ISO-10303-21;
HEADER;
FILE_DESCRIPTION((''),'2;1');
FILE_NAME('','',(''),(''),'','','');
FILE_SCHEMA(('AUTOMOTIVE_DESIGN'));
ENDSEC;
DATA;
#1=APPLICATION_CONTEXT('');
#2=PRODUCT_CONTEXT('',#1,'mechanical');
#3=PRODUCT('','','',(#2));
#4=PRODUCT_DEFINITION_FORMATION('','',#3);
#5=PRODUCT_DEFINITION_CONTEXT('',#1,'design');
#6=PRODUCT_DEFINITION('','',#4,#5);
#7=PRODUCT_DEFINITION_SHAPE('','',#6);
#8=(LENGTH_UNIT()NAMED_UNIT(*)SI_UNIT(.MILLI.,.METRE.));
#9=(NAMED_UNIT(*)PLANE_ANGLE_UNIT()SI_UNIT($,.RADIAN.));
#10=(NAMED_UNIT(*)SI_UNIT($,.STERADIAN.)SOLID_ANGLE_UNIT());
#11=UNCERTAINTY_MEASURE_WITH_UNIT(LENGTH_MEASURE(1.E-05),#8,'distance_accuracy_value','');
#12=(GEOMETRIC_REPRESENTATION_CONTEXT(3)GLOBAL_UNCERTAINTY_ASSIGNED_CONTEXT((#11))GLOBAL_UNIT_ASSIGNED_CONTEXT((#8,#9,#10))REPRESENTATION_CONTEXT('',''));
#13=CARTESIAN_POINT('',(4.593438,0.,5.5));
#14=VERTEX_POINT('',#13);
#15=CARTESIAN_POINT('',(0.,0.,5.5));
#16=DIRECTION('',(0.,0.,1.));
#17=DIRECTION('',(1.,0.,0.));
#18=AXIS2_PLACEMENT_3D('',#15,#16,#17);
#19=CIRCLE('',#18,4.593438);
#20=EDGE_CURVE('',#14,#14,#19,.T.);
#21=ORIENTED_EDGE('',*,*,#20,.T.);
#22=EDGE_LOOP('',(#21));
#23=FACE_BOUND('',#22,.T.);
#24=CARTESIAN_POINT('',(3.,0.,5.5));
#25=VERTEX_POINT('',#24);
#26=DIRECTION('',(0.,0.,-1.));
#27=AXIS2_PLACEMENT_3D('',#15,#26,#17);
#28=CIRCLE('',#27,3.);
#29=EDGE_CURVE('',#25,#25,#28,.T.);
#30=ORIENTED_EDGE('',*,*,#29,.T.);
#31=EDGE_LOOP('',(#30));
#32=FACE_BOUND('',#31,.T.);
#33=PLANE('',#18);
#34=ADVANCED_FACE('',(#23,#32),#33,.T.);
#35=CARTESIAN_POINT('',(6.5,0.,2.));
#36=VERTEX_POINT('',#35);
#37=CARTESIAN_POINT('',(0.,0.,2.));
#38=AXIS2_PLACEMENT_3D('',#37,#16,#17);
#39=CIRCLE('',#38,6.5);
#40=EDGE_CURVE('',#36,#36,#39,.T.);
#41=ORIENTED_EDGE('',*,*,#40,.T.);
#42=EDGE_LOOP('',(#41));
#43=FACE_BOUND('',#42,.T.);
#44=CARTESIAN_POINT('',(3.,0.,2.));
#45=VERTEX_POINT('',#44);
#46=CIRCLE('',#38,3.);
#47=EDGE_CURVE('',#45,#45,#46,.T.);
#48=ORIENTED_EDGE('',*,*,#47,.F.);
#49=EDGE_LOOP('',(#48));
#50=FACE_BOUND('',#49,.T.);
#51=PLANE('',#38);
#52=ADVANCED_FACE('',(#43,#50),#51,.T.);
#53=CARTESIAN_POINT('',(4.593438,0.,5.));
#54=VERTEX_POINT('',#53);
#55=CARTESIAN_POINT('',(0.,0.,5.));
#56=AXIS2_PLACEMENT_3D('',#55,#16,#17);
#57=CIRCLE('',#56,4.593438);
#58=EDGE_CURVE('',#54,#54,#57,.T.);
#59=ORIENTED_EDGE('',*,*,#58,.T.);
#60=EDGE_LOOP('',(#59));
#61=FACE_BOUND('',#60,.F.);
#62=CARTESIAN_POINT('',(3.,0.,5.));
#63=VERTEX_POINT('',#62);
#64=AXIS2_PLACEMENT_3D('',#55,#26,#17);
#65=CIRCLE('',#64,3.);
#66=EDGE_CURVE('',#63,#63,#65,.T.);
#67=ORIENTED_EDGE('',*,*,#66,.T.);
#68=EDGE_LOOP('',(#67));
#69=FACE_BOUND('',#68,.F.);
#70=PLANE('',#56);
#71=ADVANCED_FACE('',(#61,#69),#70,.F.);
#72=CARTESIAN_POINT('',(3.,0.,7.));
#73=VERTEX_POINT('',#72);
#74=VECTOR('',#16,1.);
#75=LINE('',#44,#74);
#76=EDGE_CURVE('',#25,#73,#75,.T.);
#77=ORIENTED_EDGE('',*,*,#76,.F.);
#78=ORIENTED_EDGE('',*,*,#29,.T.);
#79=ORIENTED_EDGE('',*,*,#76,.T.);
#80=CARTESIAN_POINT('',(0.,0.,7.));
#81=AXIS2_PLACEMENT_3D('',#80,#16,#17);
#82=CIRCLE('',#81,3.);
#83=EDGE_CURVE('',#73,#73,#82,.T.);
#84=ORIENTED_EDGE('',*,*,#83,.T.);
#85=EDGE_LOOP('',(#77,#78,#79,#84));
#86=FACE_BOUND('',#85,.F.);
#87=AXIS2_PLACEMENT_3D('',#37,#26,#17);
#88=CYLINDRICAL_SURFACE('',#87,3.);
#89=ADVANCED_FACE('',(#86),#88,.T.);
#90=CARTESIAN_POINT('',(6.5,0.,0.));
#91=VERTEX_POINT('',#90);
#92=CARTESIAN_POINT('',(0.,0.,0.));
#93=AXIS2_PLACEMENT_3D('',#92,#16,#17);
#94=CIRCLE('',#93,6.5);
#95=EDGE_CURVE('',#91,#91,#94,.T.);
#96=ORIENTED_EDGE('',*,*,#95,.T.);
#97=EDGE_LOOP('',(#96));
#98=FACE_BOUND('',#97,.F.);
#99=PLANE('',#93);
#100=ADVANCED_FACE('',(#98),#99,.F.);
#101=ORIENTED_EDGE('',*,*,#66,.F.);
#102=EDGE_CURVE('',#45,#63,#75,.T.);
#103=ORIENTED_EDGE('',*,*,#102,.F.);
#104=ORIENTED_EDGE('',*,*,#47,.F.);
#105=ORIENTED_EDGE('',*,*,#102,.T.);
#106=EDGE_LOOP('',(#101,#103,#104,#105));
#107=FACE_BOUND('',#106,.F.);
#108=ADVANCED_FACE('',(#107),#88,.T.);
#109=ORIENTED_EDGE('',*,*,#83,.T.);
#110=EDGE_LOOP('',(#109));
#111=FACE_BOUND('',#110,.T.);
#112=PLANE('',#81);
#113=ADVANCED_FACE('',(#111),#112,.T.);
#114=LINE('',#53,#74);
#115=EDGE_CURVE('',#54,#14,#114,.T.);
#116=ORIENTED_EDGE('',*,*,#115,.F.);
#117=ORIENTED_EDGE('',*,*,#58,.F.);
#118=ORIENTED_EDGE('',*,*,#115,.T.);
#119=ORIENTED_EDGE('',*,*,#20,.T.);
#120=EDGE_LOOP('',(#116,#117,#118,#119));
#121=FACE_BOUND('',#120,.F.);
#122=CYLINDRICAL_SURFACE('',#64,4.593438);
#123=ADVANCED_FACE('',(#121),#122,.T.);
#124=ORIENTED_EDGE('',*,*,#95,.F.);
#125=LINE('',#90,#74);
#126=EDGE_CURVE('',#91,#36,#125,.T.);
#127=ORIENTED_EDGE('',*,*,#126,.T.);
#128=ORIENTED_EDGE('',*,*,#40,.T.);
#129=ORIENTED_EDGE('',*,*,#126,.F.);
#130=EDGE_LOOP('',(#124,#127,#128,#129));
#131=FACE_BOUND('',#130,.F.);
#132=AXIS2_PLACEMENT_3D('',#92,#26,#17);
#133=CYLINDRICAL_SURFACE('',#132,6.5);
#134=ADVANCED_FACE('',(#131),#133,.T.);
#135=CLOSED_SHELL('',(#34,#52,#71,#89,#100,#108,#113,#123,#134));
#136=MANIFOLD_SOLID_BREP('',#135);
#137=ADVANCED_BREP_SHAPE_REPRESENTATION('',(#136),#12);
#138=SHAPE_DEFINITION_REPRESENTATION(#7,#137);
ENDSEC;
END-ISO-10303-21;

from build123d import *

# Parameters (mm, degrees)
F0_R     = 6.5
F1_DEPTH = 2
F2_R     = 3
F3_DEPTH = 5
F5_R     = 4.593438
F6_DEPTH = 0.5


with BuildPart() as f1:
    # F0 (on Top) → F1 (new body)
    with BuildSketch(Plane.XY):
        Circle(F0_R)
    extrude(amount=F1_DEPTH)

    # F2 (on face) → F3 (join)
    with BuildSketch(Plane.XY.offset(2)):
        Circle(F2_R)
    extrude(amount=F3_DEPTH)

    # F5 (on offset) → F6 (join)
    with BuildSketch(Plane.XY.offset(5)):
        Circle(F5_R)
    extrude(amount=F6_DEPTH)


solid = f1.part
